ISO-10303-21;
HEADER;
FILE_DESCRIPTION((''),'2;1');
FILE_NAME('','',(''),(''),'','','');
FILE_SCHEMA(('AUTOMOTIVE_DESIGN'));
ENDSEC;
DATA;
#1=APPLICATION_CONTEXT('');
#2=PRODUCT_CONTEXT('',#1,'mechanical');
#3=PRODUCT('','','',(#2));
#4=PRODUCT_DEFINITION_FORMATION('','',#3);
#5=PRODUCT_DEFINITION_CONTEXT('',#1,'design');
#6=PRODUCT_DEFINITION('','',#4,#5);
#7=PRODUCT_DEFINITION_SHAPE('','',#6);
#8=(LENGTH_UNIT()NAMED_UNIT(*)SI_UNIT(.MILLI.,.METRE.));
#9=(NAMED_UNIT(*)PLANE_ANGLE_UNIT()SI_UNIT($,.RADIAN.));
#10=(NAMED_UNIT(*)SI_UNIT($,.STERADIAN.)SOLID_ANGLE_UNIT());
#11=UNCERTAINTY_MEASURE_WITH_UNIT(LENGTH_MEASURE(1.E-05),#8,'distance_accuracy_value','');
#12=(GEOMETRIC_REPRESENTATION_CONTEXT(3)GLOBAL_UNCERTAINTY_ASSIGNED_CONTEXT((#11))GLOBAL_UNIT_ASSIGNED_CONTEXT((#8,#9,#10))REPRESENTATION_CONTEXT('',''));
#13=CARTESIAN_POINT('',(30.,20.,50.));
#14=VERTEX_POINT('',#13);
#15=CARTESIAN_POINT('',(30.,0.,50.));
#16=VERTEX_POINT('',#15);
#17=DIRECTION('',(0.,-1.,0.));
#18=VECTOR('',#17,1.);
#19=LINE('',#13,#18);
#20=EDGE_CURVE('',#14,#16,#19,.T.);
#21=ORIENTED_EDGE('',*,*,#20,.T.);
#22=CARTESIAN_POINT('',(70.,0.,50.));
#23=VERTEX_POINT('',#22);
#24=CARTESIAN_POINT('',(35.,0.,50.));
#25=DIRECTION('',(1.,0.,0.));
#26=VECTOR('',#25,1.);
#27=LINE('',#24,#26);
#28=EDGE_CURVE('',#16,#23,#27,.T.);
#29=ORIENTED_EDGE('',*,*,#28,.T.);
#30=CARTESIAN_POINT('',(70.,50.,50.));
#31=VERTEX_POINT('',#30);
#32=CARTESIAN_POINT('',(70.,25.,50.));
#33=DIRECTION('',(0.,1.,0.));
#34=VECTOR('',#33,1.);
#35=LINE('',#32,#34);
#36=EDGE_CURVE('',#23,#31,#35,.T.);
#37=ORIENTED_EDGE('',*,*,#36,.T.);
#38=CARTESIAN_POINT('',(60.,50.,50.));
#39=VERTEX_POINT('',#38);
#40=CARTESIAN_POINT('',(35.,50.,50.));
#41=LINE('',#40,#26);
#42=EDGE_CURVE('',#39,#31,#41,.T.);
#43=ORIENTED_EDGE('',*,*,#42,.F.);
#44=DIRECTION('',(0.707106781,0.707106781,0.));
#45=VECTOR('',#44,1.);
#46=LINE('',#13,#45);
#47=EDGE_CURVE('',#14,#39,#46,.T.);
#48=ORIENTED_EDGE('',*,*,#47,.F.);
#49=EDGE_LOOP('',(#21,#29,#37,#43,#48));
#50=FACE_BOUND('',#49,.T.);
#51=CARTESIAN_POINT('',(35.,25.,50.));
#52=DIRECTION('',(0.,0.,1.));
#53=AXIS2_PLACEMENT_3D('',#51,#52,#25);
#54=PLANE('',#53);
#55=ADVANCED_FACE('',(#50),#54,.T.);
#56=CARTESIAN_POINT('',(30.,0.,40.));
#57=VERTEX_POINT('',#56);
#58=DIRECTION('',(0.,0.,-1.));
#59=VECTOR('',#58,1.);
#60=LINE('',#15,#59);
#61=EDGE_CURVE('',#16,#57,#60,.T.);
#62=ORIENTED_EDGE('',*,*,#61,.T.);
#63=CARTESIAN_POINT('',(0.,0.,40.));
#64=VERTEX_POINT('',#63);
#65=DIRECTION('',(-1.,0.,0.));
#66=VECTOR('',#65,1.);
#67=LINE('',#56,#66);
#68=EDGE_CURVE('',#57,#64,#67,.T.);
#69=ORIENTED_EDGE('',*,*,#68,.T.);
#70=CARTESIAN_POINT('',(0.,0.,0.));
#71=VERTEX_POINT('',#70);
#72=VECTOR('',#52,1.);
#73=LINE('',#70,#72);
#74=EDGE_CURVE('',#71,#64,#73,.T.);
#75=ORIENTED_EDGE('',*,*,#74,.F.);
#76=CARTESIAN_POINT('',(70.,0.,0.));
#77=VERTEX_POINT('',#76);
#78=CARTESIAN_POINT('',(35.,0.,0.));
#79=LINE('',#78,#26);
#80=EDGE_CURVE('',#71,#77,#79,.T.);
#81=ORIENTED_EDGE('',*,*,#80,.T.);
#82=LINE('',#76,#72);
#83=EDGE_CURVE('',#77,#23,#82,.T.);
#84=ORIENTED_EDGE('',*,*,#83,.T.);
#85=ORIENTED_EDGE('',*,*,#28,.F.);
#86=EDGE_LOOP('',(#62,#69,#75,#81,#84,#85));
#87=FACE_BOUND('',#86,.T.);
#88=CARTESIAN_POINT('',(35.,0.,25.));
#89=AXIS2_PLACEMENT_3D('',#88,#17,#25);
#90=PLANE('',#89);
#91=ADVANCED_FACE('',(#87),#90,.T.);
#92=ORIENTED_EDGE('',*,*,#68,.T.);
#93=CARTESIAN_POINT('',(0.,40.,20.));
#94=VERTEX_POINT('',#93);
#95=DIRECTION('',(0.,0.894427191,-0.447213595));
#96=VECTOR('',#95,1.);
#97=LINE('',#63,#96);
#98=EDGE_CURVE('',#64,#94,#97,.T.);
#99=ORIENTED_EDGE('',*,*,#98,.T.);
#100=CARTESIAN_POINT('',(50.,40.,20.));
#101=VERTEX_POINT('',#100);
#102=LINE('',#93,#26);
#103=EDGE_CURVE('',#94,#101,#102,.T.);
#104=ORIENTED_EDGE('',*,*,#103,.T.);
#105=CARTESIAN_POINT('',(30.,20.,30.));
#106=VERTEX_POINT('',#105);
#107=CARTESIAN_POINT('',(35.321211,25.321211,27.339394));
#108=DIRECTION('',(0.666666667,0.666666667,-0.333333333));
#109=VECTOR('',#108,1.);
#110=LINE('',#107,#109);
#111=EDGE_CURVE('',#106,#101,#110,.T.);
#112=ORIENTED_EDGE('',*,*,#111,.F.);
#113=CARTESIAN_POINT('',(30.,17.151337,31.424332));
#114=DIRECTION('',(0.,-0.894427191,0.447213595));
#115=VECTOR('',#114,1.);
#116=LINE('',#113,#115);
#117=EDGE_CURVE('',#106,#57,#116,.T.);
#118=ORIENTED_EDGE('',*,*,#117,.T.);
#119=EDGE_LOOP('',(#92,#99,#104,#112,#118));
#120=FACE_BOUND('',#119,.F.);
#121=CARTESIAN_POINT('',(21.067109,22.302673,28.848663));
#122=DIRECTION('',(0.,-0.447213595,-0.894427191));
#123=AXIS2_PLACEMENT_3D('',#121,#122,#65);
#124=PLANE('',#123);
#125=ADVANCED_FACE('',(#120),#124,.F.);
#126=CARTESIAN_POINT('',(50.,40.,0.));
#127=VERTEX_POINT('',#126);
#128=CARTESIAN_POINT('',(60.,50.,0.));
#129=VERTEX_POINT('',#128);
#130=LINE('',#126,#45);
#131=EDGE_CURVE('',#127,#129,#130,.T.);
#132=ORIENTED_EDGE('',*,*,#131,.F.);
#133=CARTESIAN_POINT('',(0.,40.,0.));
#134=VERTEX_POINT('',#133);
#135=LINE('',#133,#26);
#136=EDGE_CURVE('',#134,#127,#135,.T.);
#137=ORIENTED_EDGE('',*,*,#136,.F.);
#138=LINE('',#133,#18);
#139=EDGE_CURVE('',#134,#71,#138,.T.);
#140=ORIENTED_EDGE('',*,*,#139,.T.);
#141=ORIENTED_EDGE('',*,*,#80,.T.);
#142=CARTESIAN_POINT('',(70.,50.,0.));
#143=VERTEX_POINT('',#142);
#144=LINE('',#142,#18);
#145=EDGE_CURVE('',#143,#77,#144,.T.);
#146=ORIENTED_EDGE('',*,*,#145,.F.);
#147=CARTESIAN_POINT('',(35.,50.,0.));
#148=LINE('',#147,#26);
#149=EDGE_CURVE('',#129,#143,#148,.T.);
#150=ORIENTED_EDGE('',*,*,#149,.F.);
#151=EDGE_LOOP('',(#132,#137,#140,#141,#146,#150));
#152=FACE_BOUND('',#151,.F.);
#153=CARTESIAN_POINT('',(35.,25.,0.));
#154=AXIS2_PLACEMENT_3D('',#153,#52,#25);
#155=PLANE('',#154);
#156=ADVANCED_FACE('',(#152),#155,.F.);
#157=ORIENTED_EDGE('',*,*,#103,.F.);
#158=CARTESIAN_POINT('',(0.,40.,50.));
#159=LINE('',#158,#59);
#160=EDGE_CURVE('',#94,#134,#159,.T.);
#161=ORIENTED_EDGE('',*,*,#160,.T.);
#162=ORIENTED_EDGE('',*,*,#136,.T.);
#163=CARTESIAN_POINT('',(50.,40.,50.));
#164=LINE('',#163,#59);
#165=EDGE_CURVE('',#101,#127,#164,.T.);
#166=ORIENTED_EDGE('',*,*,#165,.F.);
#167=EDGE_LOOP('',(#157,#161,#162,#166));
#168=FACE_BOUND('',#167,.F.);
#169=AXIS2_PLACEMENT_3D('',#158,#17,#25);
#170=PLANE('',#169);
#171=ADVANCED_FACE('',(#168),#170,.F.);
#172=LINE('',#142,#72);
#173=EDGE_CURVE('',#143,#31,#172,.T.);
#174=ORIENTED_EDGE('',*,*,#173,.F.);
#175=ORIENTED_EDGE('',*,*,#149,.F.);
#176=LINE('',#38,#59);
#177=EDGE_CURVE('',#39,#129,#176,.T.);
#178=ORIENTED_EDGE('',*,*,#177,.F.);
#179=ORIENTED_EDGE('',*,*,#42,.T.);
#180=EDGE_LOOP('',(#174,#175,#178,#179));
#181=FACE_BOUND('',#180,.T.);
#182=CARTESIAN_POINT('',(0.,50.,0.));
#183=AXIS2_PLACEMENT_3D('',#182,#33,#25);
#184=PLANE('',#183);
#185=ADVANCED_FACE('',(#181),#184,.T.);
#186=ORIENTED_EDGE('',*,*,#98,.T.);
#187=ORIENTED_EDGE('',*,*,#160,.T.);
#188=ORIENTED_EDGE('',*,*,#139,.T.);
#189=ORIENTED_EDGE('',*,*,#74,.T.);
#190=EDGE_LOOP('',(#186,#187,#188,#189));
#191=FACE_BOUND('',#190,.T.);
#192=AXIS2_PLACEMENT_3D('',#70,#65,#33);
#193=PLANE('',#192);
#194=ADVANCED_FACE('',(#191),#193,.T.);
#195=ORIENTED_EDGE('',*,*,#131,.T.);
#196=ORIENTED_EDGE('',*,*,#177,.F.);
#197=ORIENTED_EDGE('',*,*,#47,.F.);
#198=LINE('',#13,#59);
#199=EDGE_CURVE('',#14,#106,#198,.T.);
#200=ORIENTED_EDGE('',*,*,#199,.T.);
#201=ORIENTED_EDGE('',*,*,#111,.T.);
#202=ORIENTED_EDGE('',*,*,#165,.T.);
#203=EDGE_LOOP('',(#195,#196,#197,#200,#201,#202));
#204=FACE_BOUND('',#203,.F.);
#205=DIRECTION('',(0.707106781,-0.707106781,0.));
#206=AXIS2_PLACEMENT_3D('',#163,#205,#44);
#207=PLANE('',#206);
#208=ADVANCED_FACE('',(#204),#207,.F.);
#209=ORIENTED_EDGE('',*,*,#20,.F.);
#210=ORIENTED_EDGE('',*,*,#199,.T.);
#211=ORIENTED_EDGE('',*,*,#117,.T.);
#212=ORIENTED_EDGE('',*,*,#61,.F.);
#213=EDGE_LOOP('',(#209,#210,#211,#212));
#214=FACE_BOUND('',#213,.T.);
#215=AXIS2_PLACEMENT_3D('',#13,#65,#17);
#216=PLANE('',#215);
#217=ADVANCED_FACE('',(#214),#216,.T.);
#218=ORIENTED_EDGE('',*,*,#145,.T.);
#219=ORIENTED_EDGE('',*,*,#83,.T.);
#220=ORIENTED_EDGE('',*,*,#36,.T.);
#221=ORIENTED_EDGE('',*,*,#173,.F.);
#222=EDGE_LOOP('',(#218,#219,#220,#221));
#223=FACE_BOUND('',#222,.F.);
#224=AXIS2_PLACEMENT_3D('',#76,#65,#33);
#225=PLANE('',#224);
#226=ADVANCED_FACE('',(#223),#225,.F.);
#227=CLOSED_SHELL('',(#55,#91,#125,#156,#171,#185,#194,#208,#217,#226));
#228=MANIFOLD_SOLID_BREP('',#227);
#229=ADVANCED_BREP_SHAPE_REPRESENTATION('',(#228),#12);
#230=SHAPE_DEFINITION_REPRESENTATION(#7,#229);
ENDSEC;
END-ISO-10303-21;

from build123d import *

# Parameters (mm, degrees)
SKETCH1_W           = 70
SKETCH1_H           = 50
BOSS_EXTRUDE1_DEPTH = 50
CUT_EXTRUDE1_DEPTH  = 50
CUT_EXTRUDE2_DEPTH  = 30
BOSS_EXTRUDE2_DEPTH = 30
SKETCH8_W           = 70
SKETCH8_H           = 40
CUT_EXTRUDE7_DEPTH  = 30
SKETCH9_W           = 70
SKETCH9_H           = 50
CUT_EXTRUDE8_DEPTH  = 30


with BuildPart() as part:
    # Sketch1 → Boss-Extrude1 (new body)
    with BuildSketch(Plane.XY):
        with Locations((35, 25)):
            Rectangle(SKETCH1_W, SKETCH1_H)
    extrude(amount=BOSS_EXTRUDE1_DEPTH)

    # Sketch2 → Cut-Extrude1 (cut)
    with BuildSketch(Plane.XY.offset(50)):
        Polygon((0, 40), (50, 40), (60, 50), (0, 50), align=None)
    extrude(amount=-CUT_EXTRUDE1_DEPTH, mode=Mode.SUBTRACT)

    # Sketch3 → Cut-Extrude2 (cut)
    with BuildSketch(Plane.XY.offset(50)):
        Polygon((50, 40), (30, 20), (30, 0), (0, 0), (0, 40), align=None)
    extrude(amount=-CUT_EXTRUDE2_DEPTH, mode=Mode.SUBTRACT)

    # Sketch7 → Boss-Extrude2 (add)
    with BuildSketch(Plane(origin=(0, 16, 32), x_dir=(-1, 0, 0), z_dir=(0, -0.447213595, -0.894427191))):
        Polygon((0, 26.83281573), (-50, 26.83281573), (-30, -17.88854382), (0, -17.88854382), align=None)
    extrude(amount=BOSS_EXTRUDE2_DEPTH)

    # Sketch8 → Cut-Extrude7 (cut)
    with BuildSketch(Plane(origin=(0, 0, 0), x_dir=(-1, 0, 0), z_dir=(0, 0, -1))):
        with Locations((-35, 20)):
            Rectangle(SKETCH8_W, SKETCH8_H)
    extrude(amount=CUT_EXTRUDE7_DEPTH, mode=Mode.SUBTRACT)

    # Sketch9 → Cut-Extrude8 (cut)
    with BuildSketch(Plane.XZ):
        with Locations((35, 25)):
            Rectangle(SKETCH9_W, SKETCH9_H)
    extrude(amount=CUT_EXTRUDE8_DEPTH, mode=Mode.SUBTRACT)


solid = part.part
